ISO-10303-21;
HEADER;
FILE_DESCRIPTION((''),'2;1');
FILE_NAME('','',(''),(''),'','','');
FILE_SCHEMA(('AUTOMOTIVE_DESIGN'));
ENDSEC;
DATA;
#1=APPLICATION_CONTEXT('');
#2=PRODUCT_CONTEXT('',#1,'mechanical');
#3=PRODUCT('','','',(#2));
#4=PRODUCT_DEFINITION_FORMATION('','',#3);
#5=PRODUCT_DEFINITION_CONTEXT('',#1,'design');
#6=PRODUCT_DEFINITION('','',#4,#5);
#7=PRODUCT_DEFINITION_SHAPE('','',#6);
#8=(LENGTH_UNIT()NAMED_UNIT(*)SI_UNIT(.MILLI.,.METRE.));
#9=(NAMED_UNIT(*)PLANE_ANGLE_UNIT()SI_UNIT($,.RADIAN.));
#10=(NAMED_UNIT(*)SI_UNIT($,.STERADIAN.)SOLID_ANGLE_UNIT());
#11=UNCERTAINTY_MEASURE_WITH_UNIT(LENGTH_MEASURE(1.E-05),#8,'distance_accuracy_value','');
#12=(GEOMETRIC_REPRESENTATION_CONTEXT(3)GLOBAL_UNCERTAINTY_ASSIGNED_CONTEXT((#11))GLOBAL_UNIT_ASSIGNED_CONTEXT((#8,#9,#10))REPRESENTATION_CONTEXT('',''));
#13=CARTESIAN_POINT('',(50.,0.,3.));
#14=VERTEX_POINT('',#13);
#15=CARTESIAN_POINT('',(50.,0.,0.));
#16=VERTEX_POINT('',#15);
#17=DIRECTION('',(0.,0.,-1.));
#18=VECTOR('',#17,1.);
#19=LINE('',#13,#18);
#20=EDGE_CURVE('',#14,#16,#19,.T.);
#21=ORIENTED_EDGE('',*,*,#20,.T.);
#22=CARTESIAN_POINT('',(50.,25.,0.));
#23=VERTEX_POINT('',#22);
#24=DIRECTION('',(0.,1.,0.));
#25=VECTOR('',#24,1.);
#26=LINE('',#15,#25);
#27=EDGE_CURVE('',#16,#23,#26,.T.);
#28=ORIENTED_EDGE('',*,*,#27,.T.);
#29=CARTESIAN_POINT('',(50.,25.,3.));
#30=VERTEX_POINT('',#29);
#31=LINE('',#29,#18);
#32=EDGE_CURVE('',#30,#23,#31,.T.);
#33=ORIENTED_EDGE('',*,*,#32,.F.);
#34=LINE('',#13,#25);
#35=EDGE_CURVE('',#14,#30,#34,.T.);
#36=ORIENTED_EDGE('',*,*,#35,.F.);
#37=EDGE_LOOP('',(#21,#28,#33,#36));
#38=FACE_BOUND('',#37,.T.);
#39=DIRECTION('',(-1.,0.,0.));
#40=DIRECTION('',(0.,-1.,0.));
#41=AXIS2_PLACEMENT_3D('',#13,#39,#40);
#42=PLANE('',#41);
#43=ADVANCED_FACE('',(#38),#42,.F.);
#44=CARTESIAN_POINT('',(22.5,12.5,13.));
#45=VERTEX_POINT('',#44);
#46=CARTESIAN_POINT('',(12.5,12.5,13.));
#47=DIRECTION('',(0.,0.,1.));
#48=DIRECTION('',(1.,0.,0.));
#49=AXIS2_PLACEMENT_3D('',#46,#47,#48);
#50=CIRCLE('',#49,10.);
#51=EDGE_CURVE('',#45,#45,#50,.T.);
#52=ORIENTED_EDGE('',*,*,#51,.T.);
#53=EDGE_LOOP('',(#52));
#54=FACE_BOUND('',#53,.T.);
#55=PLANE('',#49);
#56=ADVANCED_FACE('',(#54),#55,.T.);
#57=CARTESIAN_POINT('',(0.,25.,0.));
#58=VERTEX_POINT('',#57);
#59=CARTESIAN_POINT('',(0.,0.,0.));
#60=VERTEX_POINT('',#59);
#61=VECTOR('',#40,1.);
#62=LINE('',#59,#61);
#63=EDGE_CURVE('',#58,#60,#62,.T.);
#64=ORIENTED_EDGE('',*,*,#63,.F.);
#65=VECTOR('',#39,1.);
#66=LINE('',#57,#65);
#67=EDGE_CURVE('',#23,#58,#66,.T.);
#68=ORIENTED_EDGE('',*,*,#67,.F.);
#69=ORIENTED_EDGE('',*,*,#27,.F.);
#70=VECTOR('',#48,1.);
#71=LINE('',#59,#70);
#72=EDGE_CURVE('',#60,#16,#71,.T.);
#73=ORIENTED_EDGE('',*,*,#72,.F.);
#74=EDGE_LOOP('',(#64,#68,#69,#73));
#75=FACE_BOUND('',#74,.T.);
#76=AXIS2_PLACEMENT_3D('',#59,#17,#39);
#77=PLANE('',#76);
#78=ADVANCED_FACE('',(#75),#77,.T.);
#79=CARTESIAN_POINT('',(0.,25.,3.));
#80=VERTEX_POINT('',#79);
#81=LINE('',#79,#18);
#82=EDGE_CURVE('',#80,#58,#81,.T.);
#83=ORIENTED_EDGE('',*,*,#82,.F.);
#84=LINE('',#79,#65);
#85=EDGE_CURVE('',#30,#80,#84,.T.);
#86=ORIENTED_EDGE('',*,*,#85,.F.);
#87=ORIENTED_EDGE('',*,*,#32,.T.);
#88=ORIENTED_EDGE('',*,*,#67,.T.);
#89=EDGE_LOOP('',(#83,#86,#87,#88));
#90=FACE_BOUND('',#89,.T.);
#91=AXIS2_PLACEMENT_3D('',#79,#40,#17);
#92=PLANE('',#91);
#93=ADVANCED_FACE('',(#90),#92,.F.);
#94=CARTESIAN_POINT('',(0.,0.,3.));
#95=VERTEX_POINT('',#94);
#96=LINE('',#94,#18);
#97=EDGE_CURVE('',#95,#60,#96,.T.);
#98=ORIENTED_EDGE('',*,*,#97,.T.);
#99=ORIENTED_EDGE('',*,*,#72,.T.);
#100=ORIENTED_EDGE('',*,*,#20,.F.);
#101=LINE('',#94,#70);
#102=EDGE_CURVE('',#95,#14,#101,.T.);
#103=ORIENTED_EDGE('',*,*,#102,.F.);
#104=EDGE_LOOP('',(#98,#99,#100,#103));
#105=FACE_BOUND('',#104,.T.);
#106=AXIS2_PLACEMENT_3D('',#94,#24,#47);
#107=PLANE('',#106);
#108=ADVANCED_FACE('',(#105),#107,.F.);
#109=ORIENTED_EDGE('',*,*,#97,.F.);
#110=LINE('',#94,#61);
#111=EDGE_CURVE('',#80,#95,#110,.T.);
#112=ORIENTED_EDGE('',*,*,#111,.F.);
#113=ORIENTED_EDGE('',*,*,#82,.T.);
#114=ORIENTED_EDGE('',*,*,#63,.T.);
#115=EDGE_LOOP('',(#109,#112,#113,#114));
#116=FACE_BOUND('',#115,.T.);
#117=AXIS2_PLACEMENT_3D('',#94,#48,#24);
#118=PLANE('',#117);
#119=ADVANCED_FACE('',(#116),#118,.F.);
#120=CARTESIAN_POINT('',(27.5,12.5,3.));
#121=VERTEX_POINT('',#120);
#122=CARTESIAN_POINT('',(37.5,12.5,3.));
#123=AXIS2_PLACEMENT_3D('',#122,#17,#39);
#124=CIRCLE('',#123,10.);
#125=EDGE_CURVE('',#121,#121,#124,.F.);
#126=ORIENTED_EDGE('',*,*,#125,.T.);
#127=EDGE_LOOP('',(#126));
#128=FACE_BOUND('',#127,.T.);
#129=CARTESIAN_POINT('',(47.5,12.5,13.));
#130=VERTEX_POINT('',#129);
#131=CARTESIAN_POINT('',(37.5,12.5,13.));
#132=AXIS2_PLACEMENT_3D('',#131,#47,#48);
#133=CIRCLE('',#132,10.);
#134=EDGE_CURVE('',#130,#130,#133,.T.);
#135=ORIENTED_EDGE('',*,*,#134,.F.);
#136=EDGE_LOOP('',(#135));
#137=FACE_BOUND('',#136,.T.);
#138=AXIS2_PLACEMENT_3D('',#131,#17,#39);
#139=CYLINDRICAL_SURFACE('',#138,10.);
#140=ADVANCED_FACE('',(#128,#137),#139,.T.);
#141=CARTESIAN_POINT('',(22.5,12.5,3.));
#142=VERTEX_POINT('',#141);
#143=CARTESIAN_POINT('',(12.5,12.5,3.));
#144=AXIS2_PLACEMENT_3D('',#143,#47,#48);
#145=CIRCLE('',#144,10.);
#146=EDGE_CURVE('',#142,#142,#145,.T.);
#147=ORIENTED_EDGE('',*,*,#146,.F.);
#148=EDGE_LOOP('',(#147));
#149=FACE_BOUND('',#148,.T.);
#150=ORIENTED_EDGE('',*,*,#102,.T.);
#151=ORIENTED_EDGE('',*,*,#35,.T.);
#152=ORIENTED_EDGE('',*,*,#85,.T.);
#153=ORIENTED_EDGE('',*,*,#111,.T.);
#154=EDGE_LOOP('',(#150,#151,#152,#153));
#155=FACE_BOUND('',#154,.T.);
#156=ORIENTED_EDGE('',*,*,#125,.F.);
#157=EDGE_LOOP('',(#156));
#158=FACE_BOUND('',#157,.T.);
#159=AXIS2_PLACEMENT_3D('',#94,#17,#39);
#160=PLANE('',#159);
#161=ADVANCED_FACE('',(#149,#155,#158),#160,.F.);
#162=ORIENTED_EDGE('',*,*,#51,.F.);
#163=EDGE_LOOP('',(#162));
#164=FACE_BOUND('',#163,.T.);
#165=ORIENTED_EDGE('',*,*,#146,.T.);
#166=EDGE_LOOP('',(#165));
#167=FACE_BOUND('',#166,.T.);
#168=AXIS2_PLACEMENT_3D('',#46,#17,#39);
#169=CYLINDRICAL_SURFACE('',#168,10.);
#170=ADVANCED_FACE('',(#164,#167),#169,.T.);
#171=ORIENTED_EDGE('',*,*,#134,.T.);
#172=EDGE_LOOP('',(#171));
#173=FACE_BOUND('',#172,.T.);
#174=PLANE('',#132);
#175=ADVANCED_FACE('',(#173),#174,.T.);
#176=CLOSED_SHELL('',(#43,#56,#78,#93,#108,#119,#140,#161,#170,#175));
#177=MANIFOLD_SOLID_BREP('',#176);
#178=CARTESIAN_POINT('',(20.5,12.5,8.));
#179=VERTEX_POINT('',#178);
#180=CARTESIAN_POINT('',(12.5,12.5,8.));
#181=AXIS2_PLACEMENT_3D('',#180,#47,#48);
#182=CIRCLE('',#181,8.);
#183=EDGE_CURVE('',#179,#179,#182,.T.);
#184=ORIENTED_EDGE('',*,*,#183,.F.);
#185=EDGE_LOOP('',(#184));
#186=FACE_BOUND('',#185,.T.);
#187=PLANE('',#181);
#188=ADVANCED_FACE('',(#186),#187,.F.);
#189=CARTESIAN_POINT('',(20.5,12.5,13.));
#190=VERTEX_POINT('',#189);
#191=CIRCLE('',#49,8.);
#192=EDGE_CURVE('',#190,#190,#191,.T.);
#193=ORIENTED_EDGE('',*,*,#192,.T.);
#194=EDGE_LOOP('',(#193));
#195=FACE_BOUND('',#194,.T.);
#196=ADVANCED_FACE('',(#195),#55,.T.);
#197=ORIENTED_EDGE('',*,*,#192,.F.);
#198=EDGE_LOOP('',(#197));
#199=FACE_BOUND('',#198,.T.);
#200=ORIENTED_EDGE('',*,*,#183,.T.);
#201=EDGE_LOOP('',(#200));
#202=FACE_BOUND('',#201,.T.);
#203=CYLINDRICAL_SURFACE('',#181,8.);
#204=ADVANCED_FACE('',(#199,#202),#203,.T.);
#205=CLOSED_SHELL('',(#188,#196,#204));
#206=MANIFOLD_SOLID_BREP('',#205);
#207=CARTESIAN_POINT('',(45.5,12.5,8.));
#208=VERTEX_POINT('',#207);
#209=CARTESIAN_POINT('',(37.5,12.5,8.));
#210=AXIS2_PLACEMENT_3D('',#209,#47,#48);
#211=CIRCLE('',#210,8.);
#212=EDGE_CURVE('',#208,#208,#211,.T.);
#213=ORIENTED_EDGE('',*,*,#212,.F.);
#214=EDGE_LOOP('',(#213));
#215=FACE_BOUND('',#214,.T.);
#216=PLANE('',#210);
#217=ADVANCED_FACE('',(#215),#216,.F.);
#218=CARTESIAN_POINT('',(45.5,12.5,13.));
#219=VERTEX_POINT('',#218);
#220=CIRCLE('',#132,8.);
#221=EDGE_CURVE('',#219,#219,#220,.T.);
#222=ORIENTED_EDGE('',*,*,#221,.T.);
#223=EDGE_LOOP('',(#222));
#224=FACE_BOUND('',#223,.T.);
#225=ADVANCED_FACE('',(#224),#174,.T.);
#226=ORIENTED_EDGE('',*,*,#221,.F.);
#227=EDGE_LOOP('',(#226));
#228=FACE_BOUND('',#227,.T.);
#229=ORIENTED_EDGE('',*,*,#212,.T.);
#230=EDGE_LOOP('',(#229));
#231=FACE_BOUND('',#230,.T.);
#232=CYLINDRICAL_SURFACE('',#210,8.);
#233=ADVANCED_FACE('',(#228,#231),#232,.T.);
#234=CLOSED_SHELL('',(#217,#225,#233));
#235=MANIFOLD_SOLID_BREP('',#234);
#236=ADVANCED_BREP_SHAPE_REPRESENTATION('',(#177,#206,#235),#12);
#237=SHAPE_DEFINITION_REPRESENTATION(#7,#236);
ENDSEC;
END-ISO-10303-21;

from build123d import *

# Parameters (mm, degrees)
SKETCH_1_W      = 50
SKETCH_1_H      = 25
EXTRUDE_1_DEPTH = 3
SKETCH_2_R      = 10
EXTRUDE_2_DEPTH = 10
SKETCH_3_R      = 8
EXTRUDE_3_DEPTH = 5
SKETCH_4_R      = 8
EXTRUDE_4_DEPTH = 5


with BuildPart() as part:
    # 草图1 → 凸台-拉伸1 (new body)
    with BuildSketch(Plane.XY):
        with Locations((25, 12.5)):
            Rectangle(SKETCH_1_W, SKETCH_1_H)
    extrude(amount=EXTRUDE_1_DEPTH)

    # 草图2 → 凸台-拉伸2 (add)
    with BuildSketch(Plane.XY.offset(3)):
        with Locations((12.5, 12.5)):
            Circle(SKETCH_2_R)
        with Locations(Location((37.5, 12.5, 0), (0, 0, 180))):
            Circle(SKETCH_2_R)
    extrude(amount=EXTRUDE_2_DEPTH)


with BuildPart() as body_2:
    # 草图3 → 凸台-拉伸3 (new body)
    with BuildSketch(Plane.XY.offset(13)):
        with Locations((12.5, 12.5)):
            Circle(SKETCH_3_R)
    extrude(amount=-EXTRUDE_3_DEPTH)


with BuildPart() as body_3:
    # 草图4 → 凸台-拉伸4 (new body)
    with BuildSketch(Plane.XY.offset(13)):
        with Locations((37.5, 12.5)):
            Circle(SKETCH_4_R)
    extrude(amount=-EXTRUDE_4_DEPTH)


solid = Compound([part.part, body_2.part, body_3.part])
